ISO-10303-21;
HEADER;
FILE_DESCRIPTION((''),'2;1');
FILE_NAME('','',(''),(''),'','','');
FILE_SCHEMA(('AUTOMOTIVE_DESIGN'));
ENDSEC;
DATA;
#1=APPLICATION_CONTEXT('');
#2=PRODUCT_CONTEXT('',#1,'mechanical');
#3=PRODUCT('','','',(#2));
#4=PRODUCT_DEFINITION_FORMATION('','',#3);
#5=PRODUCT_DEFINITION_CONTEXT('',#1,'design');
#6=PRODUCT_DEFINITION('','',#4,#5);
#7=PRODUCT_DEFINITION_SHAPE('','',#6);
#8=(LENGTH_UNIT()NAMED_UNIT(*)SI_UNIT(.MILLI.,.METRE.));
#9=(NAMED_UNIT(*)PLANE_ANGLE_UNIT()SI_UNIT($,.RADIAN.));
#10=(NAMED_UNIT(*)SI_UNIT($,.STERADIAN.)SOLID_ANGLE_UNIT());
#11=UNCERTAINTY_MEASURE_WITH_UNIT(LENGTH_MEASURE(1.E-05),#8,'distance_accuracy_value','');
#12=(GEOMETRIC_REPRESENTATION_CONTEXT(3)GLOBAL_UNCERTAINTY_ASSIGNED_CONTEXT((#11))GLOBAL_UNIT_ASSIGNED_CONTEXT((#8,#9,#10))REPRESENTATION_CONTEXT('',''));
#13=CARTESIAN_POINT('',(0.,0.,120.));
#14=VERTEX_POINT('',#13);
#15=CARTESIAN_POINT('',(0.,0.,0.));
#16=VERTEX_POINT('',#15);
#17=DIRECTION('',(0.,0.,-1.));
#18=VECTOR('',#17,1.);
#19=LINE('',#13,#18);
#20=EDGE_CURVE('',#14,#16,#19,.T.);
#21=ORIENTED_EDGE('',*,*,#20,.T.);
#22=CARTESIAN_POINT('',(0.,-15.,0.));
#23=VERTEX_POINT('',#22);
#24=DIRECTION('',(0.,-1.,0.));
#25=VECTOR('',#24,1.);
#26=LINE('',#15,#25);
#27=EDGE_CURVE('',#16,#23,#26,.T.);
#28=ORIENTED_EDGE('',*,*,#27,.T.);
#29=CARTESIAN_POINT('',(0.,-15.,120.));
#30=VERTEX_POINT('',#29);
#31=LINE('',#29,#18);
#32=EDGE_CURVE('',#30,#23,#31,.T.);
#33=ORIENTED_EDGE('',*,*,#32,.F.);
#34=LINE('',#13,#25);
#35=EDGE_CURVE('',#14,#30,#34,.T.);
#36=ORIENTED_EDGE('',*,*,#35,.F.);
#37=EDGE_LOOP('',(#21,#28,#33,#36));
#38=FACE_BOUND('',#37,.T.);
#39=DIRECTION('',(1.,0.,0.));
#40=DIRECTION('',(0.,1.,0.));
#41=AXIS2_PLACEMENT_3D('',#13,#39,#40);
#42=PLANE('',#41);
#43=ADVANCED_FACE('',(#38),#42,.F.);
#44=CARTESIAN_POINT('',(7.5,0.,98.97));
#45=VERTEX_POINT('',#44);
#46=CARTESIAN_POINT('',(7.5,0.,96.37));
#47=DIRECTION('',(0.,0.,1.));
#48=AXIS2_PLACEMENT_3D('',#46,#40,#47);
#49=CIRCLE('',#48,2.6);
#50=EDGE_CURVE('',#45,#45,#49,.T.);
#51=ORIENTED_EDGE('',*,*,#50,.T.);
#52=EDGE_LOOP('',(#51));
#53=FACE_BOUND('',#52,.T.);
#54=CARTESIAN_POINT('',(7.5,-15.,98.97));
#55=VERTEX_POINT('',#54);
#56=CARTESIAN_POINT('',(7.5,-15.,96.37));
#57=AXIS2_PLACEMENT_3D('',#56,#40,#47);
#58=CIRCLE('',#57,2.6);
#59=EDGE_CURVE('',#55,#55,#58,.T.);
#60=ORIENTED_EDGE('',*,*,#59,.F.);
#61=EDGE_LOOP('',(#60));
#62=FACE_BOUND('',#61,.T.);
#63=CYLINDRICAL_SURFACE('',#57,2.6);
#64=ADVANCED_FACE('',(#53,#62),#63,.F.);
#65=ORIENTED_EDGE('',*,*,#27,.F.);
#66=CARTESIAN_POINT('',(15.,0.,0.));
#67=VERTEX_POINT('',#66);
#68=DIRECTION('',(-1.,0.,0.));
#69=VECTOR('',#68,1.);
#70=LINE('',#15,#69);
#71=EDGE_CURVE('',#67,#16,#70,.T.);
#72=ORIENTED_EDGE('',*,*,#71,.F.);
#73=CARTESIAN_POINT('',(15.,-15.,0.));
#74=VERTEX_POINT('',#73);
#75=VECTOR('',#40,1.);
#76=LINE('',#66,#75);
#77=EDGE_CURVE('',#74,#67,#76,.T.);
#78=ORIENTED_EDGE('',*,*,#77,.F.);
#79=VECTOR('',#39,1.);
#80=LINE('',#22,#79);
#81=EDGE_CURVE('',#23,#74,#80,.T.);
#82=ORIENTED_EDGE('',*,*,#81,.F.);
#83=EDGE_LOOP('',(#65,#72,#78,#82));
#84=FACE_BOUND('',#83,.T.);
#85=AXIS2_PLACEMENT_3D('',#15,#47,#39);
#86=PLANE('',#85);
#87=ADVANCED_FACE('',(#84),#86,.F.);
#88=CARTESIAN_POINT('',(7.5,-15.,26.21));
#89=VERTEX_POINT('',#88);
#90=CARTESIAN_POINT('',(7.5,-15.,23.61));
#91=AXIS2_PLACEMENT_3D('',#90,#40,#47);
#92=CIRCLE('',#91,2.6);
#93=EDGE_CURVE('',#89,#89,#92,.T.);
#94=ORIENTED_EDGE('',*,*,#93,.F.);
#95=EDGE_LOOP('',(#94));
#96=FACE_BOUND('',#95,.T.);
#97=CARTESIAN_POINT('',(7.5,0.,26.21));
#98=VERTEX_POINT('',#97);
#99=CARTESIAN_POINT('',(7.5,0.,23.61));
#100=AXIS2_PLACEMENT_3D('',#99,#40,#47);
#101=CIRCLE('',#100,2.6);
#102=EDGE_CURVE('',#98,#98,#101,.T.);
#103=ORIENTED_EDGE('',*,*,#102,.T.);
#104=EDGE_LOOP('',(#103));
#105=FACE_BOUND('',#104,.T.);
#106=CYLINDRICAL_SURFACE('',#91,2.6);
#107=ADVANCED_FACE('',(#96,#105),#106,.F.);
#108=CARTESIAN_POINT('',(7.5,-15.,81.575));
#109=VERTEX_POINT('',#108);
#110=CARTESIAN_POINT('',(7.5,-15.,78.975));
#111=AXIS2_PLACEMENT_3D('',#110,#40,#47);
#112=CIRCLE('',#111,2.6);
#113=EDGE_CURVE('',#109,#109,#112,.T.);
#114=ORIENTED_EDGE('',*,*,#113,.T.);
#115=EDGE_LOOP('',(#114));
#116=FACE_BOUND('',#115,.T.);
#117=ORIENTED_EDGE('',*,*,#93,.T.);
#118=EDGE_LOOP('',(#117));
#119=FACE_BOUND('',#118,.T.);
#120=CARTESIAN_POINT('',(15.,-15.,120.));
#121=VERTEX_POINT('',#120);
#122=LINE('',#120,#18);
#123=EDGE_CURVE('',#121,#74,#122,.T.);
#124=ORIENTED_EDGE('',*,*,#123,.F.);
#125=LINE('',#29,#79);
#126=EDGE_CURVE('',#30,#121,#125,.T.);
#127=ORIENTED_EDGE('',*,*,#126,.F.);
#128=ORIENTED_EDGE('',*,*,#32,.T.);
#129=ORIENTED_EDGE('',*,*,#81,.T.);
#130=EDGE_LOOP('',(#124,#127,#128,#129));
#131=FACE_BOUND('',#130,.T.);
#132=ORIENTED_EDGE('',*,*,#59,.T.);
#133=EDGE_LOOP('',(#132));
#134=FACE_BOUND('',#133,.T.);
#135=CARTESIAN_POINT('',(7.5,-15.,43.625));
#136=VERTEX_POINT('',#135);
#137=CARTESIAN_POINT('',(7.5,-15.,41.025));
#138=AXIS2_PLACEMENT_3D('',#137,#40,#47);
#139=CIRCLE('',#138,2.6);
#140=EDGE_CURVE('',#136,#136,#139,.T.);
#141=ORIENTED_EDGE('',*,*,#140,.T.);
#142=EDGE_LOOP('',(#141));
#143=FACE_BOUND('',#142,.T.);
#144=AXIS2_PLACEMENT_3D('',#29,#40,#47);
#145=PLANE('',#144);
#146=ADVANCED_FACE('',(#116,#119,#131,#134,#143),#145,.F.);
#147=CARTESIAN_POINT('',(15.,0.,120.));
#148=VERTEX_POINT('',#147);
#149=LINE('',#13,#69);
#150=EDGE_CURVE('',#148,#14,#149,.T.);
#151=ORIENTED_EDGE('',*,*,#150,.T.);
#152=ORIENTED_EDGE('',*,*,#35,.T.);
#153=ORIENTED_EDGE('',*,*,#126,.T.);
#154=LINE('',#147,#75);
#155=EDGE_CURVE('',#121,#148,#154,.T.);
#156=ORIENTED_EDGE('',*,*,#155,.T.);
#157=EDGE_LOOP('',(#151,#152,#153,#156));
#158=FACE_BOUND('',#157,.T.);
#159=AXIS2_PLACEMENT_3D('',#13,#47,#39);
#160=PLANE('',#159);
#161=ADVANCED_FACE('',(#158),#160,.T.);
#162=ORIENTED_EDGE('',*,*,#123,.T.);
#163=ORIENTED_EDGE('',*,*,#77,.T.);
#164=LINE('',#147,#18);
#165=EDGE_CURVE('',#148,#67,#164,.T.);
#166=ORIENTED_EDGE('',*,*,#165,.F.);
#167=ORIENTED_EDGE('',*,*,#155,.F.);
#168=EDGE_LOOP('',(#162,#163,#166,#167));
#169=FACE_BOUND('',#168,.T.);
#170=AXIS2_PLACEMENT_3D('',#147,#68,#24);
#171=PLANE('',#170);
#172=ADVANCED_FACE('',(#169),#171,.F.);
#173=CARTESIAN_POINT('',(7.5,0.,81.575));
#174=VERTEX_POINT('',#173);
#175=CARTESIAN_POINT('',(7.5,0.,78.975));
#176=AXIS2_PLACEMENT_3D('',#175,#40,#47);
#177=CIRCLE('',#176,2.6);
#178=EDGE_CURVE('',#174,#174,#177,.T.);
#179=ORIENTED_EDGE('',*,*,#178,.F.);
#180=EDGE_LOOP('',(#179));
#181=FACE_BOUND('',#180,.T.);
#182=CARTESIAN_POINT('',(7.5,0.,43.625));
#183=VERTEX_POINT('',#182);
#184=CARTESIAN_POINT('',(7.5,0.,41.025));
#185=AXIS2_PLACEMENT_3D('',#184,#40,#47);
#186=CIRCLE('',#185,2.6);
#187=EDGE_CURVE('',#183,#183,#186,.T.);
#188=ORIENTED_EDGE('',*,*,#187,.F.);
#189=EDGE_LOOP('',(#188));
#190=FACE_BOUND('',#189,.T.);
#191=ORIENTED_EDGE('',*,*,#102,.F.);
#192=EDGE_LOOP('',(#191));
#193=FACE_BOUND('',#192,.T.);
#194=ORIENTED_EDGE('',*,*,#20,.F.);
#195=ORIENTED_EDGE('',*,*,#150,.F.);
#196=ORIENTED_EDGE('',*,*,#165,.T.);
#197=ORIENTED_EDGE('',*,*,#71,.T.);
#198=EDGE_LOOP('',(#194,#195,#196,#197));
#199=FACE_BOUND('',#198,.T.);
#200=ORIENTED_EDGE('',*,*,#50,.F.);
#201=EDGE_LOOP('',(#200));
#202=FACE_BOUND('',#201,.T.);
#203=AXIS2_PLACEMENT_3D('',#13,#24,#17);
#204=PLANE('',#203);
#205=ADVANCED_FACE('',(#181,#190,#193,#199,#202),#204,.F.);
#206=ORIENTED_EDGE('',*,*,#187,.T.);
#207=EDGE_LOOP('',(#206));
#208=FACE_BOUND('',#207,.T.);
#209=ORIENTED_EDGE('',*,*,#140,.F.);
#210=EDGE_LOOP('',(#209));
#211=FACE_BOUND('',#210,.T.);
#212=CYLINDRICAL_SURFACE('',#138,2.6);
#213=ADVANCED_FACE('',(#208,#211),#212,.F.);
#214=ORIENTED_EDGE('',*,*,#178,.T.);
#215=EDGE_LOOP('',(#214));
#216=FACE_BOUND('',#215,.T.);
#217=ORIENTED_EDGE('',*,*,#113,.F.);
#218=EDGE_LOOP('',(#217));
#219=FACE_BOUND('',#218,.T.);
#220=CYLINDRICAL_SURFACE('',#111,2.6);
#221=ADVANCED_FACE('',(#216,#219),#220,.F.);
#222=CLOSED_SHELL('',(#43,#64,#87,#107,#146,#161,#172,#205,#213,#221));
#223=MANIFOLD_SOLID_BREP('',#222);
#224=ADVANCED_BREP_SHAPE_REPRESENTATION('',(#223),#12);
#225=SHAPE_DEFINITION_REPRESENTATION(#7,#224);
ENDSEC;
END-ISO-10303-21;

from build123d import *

# Parameters (mm, degrees)
SKETCH_1_W          = 15
SKETCH_1_H          = 15
EXTRUDE_1_DEPTH     = 120
SKETCH_2_R          = 2.6
CUT_EXTRUDE_1_DEPTH = 122.86057607


with BuildPart() as part:
    # 草图1 → 凸台-拉伸1 (new body)
    with BuildSketch(Plane.XY):
        with Locations((7.5, -7.5)):
            Rectangle(SKETCH_1_W, SKETCH_1_H)
    extrude(amount=EXTRUDE_1_DEPTH)

    # 草图2 → 切除-拉伸1 (cut, through all)
    with BuildSketch(Plane(origin=(0, 0, 0), x_dir=(1, 0, 0), z_dir=(0, 1, 0))):
        with Locations(Location((7.5, -23.61, 0), (0, 0, 270))):
            Circle(SKETCH_2_R)
        with Locations(Location((7.5, -96.37, 0), (0, 0, 270))):
            Circle(SKETCH_2_R)
        with Locations(Location((7.5, -41.025, 0), (0, 0, 270))):
            Circle(SKETCH_2_R)
        with Locations(Location((7.5, -78.975, 0), (0, 0, 270))):
            Circle(SKETCH_2_R)
    extrude(amount=-CUT_EXTRUDE_1_DEPTH, mode=Mode.SUBTRACT)


solid = part.part
